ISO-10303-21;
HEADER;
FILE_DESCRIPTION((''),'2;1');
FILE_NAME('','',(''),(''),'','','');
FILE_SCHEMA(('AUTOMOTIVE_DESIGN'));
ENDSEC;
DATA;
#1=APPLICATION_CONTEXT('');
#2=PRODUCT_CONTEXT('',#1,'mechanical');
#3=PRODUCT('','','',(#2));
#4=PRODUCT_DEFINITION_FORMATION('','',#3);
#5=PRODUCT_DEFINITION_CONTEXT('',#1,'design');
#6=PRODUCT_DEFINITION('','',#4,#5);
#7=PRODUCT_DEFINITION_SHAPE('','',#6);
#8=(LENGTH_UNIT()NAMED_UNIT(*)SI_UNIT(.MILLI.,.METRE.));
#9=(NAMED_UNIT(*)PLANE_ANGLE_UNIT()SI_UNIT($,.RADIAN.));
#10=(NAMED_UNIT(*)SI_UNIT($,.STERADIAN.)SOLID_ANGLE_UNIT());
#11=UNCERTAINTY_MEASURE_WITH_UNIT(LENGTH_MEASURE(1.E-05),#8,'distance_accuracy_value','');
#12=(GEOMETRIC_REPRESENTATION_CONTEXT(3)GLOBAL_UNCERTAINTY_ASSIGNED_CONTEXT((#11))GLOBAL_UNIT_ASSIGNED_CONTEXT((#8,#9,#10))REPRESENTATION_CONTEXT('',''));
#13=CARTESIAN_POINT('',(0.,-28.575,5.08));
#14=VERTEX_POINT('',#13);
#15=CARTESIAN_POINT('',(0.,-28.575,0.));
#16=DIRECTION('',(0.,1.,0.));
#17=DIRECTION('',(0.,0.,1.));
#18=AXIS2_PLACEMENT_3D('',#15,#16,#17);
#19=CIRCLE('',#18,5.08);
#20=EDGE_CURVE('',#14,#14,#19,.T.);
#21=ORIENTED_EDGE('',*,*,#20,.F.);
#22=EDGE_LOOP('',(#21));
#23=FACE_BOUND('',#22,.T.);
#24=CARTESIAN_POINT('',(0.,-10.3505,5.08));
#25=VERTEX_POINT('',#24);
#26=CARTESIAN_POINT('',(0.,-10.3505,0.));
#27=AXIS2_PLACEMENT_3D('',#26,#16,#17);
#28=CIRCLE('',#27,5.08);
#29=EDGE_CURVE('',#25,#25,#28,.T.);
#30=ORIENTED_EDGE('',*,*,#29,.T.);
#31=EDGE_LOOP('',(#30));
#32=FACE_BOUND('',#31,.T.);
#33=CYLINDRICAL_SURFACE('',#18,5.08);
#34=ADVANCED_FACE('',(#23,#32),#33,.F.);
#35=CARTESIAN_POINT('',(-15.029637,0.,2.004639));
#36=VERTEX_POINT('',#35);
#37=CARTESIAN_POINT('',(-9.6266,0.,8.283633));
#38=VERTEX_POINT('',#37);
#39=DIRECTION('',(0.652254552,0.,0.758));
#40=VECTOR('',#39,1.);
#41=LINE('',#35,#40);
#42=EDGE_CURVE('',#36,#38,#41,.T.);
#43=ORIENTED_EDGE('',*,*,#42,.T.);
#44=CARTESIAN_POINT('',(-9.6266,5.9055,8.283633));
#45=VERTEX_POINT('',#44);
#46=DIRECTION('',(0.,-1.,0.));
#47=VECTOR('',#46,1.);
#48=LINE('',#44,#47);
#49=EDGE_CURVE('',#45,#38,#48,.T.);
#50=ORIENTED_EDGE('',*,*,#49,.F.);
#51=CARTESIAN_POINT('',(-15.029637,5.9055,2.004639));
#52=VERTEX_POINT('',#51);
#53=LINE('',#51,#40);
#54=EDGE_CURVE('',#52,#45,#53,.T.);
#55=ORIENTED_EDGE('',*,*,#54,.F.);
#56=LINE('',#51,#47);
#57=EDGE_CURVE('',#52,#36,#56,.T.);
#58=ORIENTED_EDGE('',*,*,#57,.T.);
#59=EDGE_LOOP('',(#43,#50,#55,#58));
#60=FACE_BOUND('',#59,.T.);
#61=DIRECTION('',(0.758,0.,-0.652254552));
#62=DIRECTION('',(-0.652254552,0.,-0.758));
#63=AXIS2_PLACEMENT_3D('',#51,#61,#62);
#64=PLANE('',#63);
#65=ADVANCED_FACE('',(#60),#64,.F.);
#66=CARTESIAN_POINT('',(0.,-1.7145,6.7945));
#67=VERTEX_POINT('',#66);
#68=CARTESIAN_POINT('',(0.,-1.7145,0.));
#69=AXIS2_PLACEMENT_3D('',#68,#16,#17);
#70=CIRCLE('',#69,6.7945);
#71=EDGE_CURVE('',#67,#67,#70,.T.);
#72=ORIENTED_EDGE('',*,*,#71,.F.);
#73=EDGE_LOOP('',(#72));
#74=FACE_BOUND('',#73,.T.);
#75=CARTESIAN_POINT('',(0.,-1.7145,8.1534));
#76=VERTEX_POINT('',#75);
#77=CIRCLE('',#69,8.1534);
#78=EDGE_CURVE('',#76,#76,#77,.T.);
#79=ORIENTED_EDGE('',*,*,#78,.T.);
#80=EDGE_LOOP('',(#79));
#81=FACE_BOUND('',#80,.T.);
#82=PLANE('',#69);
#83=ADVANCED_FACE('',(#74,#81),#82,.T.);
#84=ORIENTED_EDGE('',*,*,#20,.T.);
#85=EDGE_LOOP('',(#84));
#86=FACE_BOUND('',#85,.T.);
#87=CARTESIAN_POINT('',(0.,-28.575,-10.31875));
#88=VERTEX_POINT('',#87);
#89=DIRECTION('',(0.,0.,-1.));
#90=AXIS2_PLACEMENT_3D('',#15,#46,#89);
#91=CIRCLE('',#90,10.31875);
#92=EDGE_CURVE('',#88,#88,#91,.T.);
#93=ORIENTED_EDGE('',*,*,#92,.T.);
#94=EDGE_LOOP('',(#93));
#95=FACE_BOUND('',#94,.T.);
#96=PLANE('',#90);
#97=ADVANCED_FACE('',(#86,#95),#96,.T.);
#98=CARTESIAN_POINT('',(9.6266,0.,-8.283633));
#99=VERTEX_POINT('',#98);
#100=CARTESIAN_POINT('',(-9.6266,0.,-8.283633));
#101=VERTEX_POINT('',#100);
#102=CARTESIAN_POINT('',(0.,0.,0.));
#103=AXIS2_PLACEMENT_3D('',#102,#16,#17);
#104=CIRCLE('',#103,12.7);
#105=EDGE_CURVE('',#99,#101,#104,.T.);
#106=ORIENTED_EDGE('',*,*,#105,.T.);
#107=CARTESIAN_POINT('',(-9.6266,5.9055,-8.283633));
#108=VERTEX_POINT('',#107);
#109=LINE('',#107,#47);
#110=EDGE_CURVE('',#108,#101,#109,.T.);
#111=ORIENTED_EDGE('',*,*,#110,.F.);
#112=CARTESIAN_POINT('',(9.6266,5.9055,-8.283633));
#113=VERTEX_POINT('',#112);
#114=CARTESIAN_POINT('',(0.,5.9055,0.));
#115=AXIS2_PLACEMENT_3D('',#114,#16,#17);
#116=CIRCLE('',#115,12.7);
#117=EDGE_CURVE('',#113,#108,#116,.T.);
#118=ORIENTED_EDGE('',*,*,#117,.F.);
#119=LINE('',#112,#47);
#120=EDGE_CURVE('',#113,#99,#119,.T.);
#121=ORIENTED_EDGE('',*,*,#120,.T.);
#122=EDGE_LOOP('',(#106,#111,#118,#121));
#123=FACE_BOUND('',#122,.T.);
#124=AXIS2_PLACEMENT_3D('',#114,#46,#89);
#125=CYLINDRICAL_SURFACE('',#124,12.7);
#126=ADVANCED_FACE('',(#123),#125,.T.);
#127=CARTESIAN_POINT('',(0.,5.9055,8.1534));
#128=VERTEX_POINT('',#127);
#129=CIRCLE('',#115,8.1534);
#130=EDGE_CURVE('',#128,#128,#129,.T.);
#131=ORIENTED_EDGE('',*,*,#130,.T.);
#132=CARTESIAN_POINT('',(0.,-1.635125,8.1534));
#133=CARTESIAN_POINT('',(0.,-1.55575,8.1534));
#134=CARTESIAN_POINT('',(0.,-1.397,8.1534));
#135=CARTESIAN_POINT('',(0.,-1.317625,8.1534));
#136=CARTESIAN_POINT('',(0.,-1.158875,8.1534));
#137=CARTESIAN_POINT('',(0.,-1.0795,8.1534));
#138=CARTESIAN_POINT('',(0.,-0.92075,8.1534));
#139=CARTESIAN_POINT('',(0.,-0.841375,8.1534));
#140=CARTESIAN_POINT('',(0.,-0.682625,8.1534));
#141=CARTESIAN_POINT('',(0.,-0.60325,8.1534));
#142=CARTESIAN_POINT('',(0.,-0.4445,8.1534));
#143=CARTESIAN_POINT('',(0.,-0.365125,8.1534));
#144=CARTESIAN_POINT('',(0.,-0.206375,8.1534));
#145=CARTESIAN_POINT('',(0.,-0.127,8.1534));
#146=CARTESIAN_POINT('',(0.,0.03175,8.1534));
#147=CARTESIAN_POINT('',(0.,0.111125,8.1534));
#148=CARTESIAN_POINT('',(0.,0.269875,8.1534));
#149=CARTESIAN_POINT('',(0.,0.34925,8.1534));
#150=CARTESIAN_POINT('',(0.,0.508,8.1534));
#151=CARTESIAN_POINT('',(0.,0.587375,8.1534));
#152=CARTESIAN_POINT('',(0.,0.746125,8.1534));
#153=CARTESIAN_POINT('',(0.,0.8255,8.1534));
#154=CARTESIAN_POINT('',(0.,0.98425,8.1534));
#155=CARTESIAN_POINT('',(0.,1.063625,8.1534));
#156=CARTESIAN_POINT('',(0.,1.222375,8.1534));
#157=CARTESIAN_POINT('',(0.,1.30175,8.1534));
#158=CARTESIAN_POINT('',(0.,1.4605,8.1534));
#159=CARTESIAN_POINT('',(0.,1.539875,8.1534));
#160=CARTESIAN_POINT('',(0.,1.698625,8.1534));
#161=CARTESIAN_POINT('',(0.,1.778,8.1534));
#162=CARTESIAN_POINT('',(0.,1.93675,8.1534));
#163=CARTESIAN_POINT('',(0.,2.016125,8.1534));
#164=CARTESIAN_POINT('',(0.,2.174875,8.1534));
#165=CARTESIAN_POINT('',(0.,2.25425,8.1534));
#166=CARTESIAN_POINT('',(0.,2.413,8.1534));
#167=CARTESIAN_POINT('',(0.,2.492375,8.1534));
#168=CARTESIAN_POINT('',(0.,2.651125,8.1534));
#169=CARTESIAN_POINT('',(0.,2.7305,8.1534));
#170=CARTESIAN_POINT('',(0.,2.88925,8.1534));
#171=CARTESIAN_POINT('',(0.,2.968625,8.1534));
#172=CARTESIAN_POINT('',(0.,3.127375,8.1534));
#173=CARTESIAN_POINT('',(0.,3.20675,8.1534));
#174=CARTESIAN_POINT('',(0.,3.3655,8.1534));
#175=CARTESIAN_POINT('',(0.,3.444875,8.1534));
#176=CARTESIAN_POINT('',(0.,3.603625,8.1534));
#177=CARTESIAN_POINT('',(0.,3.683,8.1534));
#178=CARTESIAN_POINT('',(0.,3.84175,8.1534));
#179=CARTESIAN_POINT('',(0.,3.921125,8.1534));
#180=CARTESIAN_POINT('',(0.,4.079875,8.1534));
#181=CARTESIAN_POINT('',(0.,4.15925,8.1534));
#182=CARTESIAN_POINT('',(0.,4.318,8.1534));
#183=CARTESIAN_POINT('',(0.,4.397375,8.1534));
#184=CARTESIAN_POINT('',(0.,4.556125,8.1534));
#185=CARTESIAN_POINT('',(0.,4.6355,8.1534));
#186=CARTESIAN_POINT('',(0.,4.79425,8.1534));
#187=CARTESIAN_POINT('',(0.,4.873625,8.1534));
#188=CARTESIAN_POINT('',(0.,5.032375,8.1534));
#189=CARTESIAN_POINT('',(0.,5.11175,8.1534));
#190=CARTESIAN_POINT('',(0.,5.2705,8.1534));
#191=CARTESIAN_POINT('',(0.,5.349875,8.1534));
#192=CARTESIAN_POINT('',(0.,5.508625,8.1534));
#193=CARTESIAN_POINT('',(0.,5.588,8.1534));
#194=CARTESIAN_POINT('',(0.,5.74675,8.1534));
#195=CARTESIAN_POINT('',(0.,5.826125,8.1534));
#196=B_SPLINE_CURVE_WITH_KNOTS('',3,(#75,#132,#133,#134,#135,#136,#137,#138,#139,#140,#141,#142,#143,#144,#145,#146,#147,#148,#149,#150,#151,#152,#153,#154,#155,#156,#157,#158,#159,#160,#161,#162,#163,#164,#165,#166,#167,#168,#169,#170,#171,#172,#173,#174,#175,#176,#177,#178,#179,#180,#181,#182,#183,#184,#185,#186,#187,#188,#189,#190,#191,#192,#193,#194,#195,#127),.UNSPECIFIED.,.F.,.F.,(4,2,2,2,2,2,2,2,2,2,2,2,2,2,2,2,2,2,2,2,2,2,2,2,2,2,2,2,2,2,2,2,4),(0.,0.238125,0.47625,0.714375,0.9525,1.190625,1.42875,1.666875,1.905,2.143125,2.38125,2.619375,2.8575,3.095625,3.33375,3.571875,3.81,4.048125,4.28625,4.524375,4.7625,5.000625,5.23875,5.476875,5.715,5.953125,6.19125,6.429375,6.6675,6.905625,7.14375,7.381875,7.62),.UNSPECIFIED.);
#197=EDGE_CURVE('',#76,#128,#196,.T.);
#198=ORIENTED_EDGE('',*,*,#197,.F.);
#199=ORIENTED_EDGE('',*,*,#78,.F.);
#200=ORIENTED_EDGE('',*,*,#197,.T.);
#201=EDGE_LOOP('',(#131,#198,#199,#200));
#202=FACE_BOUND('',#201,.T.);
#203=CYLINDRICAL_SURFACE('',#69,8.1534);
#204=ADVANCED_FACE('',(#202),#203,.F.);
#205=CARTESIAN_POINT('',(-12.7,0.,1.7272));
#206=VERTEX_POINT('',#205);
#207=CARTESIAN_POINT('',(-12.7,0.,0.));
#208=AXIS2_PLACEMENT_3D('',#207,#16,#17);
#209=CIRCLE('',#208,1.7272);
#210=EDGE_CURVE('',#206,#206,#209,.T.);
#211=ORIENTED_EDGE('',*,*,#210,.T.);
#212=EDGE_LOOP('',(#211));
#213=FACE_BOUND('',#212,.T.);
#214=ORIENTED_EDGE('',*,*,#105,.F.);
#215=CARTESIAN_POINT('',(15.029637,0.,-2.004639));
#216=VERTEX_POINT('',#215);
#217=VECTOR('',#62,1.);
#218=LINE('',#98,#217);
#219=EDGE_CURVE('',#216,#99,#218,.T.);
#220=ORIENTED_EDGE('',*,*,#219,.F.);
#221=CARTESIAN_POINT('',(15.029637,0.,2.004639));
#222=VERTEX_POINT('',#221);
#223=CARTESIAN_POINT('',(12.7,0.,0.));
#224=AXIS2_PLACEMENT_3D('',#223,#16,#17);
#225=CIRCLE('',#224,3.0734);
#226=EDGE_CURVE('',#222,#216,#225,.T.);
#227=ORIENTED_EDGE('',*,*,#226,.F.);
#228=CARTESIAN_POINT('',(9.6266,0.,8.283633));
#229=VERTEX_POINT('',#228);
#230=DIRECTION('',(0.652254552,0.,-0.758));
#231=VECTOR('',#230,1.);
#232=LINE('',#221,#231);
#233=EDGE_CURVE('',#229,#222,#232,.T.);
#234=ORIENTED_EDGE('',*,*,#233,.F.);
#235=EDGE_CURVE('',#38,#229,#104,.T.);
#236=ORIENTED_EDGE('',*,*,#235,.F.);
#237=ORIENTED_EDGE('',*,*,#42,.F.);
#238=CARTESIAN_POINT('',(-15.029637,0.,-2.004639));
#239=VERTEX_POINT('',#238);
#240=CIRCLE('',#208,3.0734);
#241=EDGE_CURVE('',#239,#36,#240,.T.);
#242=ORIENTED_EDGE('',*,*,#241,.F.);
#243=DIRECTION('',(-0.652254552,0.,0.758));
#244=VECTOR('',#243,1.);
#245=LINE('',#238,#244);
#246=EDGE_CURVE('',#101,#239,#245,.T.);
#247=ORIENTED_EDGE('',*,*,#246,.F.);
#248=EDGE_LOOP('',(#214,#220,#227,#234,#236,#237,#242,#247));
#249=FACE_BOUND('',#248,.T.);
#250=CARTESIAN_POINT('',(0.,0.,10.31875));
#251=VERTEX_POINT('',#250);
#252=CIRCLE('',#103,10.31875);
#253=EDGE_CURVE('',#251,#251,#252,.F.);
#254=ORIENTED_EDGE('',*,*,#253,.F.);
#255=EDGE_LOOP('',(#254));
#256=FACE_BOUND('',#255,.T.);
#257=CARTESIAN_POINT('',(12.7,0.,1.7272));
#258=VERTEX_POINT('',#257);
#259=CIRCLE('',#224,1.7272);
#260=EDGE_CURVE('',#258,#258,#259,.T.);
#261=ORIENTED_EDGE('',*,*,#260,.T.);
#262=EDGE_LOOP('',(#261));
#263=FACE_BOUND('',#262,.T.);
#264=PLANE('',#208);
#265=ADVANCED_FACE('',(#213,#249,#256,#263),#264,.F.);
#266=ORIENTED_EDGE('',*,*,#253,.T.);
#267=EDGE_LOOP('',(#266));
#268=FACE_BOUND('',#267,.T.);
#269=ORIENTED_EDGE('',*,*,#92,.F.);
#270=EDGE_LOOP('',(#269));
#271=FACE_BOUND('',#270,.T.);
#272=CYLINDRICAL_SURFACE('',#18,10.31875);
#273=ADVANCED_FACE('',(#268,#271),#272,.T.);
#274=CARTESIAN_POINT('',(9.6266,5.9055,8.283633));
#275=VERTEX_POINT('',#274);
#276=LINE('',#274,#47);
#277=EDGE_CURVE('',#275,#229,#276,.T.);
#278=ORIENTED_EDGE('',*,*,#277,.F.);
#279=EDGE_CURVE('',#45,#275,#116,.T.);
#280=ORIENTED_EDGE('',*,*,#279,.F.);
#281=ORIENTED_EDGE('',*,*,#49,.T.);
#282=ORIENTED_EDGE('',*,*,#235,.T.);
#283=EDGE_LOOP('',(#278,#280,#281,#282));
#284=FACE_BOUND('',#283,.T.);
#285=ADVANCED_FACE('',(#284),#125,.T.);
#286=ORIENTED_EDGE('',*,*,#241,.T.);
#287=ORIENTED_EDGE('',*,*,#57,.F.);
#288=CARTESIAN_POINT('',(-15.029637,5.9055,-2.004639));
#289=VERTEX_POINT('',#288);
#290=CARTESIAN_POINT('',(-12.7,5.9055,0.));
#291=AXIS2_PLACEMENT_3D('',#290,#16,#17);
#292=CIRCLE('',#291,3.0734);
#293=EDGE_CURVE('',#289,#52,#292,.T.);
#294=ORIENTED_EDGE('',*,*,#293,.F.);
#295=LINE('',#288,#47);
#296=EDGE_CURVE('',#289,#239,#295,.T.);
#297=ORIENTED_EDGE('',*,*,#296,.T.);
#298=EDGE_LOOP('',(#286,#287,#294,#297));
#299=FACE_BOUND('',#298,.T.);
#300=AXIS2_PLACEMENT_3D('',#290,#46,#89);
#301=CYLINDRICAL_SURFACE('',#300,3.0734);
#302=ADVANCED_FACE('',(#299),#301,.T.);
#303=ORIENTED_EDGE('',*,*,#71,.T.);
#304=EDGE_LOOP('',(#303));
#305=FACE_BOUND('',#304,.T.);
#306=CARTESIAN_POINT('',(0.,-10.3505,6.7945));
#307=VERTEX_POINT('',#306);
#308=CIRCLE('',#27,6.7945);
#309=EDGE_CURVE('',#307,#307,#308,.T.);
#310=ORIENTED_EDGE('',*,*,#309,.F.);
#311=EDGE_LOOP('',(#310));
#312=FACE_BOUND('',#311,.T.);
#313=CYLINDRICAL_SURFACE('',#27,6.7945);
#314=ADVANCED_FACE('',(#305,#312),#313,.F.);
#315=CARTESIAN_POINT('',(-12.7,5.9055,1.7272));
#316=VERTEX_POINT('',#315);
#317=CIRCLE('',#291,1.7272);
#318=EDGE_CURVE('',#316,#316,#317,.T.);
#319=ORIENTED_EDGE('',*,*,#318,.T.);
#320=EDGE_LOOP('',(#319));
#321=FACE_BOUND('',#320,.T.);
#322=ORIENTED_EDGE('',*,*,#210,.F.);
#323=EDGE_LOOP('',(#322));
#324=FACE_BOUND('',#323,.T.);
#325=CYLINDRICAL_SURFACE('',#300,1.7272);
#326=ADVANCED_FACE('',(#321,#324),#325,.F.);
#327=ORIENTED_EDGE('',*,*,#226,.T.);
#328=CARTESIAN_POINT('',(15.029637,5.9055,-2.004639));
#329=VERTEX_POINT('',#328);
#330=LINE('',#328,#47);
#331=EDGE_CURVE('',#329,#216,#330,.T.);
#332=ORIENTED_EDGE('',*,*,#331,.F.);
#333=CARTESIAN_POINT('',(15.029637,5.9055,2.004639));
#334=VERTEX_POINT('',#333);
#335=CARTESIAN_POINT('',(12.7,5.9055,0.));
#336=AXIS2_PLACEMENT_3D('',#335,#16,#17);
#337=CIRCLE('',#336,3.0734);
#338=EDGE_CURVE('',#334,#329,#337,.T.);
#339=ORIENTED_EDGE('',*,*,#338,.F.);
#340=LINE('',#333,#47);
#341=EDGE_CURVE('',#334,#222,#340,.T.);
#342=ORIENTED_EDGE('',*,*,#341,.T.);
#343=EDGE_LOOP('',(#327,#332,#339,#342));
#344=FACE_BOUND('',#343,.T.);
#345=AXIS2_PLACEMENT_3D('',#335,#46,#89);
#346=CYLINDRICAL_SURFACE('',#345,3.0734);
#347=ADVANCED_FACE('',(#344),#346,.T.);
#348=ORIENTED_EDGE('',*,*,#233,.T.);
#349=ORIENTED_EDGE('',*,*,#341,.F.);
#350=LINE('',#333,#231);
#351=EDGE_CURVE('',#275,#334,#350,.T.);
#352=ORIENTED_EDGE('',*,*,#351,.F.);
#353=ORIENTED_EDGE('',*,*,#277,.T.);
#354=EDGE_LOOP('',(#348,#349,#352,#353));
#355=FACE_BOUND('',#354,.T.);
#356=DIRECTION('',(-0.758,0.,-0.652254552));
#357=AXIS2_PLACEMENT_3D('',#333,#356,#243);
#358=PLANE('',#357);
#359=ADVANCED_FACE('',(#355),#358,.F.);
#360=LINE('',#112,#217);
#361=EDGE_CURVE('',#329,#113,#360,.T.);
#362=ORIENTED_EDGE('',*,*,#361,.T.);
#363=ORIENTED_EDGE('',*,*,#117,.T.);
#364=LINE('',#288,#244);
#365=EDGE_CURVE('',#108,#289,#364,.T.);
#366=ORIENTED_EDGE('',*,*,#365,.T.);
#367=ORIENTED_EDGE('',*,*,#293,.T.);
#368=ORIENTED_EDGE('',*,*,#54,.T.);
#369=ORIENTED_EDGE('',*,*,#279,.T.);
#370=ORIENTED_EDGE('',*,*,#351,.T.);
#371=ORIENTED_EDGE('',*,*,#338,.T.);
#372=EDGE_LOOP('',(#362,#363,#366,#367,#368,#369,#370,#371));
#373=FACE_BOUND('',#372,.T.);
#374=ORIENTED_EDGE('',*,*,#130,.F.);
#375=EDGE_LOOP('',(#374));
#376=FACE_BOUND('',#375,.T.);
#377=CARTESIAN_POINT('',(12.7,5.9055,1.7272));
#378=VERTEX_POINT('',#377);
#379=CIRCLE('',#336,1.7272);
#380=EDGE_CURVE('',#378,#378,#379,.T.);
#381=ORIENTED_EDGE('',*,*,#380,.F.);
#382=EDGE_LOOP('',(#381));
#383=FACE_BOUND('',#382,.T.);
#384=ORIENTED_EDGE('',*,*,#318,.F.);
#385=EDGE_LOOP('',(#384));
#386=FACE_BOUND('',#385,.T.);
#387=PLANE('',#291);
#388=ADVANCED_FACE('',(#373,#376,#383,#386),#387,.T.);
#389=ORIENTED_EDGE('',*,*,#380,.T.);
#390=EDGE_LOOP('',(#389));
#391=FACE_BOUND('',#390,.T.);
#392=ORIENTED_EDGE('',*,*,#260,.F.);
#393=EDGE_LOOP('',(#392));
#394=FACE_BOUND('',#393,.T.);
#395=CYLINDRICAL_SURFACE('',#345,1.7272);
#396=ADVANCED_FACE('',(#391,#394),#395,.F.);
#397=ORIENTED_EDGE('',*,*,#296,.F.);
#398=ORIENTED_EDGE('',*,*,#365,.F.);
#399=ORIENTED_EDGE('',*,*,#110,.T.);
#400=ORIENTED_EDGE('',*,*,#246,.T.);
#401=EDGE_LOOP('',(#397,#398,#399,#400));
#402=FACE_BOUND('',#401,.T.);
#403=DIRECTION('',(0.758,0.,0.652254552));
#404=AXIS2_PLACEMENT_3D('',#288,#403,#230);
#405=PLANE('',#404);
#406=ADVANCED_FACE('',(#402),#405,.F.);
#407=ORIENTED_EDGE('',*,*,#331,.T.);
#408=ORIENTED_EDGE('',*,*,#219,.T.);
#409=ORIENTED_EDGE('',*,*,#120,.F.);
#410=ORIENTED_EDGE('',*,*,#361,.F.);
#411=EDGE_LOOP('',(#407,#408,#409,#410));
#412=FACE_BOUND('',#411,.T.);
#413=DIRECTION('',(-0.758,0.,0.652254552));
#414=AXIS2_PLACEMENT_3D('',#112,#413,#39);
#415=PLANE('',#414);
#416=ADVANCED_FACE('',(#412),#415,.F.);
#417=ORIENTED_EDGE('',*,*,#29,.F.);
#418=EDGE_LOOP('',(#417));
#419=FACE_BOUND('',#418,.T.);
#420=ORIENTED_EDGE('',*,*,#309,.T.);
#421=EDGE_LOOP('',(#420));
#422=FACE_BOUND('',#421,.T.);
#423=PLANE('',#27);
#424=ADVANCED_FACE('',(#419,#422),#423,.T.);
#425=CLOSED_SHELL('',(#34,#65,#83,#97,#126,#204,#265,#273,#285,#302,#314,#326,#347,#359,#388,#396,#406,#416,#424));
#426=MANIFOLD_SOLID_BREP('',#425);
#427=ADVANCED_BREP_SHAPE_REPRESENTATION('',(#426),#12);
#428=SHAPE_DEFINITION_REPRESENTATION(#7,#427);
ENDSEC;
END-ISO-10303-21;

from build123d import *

# Parameters (mm, degrees)
SKETCH1_R           = 1.7272
BOSS_EXTRUDE1_DEPTH = 5.9055
SKETCH2_R           = 10.31875
BOSS_EXTRUDE2_DEPTH = 28.575
SKETCH3_R           = 8.1534
CUT_EXTRUDE1_DEPTH  = 7.62
SKETCH4_R           = 6.7945
CUT_EXTRUDE2_DEPTH  = 16.256
SKETCH5_R           = 5.08
CUT_EXTRUDE3_DEPTH  = 40.987435874


with BuildPart() as part:
    # Sketch1 → Boss-Extrude1 (new body)
    with BuildSketch(Plane(origin=(0, 0, 0), x_dir=(1, 0, 0), z_dir=(0, 1, 0))):
        with BuildLine():
            Line((-15.0296372, 2.004639139), (-9.6266, 8.283632805))
            ThreePointArc((-9.6266, 8.283632805), (0, 12.7), (9.6266, 8.283632805))
            Line((9.6266, 8.283632805), (15.0296372, 2.004639139))
            ThreePointArc((15.0296372, 2.004639139), (15.7734, 0), (15.0296372, -2.004639139))
            Line((15.0296372, -2.004639139), (9.6266, -8.283632805))
            ThreePointArc((9.6266, -8.283632805), (0, -12.7), (-9.6266, -8.283632805))
            Line((-9.6266, -8.283632805), (-15.0296372, -2.004639139))
            ThreePointArc((-15.0296372, -2.004639139), (-15.7734, 0), (-15.0296372, 2.004639139))
        make_face()
        with Locations(Location((-12.7, 0, 0), (0, 0, 270))):
            Circle(SKETCH1_R, mode=Mode.SUBTRACT)
        with Locations(Location((12.7, 0, 0), (0, 0, 270))):
            Circle(SKETCH1_R, mode=Mode.SUBTRACT)
    extrude(amount=BOSS_EXTRUDE1_DEPTH)

    # Sketch2 → Boss-Extrude2 (add)
    with BuildSketch(Plane.XZ):
        with Locations(Location((0, 0, 0), (0, 0, 90))):
            Circle(SKETCH2_R)
    extrude(amount=BOSS_EXTRUDE2_DEPTH)

    # Sketch3 → Cut-Extrude1 (cut)
    with BuildSketch(Plane(origin=(0, 5.9055, 0), x_dir=(1, 0, 0), z_dir=(0, 1, 0))):
        with Locations(Location((0, 0, 0), (0, 0, 270))):
            Circle(SKETCH3_R)
    extrude(amount=-CUT_EXTRUDE1_DEPTH, mode=Mode.SUBTRACT)

    # Sketch4 → Cut-Extrude2 (cut)
    with BuildSketch(Plane(origin=(0, 5.9055, 0), x_dir=(1, 0, 0), z_dir=(0, 1, 0))):
        with Locations(Location((0, 0, 0), (0, 0, 270))):
            Circle(SKETCH4_R)
    extrude(amount=-CUT_EXTRUDE2_DEPTH, mode=Mode.SUBTRACT)

    # Sketch5 → Cut-Extrude3 (cut, through all)
    with BuildSketch(Plane(origin=(0, 5.9055, 0), x_dir=(1, 0, 0), z_dir=(0, 1, 0))):
        with Locations(Location((0, 0, 0), (0, 0, 270))):
            Circle(SKETCH5_R)
    extrude(amount=-CUT_EXTRUDE3_DEPTH, mode=Mode.SUBTRACT)


solid = part.part
